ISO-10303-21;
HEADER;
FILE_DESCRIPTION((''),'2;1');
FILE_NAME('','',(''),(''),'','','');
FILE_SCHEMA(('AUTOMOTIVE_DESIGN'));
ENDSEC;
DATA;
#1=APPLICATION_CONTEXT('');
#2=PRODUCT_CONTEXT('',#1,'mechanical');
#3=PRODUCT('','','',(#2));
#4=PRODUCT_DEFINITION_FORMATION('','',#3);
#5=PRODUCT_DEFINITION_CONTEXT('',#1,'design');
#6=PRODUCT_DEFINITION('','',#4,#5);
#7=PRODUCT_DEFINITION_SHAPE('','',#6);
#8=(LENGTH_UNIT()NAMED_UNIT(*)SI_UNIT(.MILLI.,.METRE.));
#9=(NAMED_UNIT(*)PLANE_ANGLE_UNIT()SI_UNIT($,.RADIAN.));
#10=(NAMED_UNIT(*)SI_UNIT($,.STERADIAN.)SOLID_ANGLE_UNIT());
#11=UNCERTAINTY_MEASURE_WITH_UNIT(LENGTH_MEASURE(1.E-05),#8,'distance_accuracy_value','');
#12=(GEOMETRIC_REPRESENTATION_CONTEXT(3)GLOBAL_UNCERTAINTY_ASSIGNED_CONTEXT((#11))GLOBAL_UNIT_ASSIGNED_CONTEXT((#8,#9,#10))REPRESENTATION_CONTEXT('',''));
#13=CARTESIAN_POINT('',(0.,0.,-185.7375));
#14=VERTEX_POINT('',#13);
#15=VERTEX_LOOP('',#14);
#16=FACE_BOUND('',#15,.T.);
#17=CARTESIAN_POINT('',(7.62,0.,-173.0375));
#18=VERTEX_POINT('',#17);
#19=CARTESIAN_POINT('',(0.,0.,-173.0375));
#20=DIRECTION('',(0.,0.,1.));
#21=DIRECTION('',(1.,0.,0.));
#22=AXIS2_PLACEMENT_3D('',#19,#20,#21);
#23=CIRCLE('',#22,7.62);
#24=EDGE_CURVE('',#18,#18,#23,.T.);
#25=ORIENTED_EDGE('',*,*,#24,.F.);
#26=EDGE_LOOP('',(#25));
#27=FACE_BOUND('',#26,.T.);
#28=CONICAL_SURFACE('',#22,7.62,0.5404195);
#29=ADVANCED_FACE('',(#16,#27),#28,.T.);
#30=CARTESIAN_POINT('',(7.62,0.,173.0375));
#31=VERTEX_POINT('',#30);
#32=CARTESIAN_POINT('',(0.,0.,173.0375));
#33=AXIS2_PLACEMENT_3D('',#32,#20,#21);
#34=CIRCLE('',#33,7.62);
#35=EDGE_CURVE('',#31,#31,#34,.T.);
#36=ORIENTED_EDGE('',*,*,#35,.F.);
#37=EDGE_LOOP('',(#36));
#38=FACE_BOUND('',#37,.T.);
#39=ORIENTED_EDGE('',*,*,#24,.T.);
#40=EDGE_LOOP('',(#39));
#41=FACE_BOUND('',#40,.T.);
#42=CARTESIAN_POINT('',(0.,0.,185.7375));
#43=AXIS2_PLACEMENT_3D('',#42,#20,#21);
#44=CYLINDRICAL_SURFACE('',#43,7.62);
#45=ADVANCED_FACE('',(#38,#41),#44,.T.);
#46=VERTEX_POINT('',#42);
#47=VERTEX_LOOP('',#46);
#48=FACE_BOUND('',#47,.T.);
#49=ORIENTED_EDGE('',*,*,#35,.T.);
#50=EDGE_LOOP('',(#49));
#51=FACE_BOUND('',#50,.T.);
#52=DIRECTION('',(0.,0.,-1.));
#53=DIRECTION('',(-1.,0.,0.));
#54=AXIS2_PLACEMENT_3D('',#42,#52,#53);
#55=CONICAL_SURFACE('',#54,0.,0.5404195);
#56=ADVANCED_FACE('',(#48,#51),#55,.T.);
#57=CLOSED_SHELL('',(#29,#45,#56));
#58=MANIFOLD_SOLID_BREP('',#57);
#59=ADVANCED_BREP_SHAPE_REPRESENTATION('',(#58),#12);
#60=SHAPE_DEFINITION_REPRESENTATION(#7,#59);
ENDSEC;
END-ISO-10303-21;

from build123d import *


with BuildPart() as part:
    # Sketch2 → Revolve1 (revolve)
    with BuildSketch(Plane(origin=(0, 0, 0), x_dir=(1, 0, 0), z_dir=(0, 1, 0))):
        Polygon((7.62, 173.0375), (7.62, -173.0375), (0, -185.7375), (0, 185.7375), align=None)
    revolve(axis=Axis((0, 0, 185.7375), (0, 0, -1)))


solid = part.part
